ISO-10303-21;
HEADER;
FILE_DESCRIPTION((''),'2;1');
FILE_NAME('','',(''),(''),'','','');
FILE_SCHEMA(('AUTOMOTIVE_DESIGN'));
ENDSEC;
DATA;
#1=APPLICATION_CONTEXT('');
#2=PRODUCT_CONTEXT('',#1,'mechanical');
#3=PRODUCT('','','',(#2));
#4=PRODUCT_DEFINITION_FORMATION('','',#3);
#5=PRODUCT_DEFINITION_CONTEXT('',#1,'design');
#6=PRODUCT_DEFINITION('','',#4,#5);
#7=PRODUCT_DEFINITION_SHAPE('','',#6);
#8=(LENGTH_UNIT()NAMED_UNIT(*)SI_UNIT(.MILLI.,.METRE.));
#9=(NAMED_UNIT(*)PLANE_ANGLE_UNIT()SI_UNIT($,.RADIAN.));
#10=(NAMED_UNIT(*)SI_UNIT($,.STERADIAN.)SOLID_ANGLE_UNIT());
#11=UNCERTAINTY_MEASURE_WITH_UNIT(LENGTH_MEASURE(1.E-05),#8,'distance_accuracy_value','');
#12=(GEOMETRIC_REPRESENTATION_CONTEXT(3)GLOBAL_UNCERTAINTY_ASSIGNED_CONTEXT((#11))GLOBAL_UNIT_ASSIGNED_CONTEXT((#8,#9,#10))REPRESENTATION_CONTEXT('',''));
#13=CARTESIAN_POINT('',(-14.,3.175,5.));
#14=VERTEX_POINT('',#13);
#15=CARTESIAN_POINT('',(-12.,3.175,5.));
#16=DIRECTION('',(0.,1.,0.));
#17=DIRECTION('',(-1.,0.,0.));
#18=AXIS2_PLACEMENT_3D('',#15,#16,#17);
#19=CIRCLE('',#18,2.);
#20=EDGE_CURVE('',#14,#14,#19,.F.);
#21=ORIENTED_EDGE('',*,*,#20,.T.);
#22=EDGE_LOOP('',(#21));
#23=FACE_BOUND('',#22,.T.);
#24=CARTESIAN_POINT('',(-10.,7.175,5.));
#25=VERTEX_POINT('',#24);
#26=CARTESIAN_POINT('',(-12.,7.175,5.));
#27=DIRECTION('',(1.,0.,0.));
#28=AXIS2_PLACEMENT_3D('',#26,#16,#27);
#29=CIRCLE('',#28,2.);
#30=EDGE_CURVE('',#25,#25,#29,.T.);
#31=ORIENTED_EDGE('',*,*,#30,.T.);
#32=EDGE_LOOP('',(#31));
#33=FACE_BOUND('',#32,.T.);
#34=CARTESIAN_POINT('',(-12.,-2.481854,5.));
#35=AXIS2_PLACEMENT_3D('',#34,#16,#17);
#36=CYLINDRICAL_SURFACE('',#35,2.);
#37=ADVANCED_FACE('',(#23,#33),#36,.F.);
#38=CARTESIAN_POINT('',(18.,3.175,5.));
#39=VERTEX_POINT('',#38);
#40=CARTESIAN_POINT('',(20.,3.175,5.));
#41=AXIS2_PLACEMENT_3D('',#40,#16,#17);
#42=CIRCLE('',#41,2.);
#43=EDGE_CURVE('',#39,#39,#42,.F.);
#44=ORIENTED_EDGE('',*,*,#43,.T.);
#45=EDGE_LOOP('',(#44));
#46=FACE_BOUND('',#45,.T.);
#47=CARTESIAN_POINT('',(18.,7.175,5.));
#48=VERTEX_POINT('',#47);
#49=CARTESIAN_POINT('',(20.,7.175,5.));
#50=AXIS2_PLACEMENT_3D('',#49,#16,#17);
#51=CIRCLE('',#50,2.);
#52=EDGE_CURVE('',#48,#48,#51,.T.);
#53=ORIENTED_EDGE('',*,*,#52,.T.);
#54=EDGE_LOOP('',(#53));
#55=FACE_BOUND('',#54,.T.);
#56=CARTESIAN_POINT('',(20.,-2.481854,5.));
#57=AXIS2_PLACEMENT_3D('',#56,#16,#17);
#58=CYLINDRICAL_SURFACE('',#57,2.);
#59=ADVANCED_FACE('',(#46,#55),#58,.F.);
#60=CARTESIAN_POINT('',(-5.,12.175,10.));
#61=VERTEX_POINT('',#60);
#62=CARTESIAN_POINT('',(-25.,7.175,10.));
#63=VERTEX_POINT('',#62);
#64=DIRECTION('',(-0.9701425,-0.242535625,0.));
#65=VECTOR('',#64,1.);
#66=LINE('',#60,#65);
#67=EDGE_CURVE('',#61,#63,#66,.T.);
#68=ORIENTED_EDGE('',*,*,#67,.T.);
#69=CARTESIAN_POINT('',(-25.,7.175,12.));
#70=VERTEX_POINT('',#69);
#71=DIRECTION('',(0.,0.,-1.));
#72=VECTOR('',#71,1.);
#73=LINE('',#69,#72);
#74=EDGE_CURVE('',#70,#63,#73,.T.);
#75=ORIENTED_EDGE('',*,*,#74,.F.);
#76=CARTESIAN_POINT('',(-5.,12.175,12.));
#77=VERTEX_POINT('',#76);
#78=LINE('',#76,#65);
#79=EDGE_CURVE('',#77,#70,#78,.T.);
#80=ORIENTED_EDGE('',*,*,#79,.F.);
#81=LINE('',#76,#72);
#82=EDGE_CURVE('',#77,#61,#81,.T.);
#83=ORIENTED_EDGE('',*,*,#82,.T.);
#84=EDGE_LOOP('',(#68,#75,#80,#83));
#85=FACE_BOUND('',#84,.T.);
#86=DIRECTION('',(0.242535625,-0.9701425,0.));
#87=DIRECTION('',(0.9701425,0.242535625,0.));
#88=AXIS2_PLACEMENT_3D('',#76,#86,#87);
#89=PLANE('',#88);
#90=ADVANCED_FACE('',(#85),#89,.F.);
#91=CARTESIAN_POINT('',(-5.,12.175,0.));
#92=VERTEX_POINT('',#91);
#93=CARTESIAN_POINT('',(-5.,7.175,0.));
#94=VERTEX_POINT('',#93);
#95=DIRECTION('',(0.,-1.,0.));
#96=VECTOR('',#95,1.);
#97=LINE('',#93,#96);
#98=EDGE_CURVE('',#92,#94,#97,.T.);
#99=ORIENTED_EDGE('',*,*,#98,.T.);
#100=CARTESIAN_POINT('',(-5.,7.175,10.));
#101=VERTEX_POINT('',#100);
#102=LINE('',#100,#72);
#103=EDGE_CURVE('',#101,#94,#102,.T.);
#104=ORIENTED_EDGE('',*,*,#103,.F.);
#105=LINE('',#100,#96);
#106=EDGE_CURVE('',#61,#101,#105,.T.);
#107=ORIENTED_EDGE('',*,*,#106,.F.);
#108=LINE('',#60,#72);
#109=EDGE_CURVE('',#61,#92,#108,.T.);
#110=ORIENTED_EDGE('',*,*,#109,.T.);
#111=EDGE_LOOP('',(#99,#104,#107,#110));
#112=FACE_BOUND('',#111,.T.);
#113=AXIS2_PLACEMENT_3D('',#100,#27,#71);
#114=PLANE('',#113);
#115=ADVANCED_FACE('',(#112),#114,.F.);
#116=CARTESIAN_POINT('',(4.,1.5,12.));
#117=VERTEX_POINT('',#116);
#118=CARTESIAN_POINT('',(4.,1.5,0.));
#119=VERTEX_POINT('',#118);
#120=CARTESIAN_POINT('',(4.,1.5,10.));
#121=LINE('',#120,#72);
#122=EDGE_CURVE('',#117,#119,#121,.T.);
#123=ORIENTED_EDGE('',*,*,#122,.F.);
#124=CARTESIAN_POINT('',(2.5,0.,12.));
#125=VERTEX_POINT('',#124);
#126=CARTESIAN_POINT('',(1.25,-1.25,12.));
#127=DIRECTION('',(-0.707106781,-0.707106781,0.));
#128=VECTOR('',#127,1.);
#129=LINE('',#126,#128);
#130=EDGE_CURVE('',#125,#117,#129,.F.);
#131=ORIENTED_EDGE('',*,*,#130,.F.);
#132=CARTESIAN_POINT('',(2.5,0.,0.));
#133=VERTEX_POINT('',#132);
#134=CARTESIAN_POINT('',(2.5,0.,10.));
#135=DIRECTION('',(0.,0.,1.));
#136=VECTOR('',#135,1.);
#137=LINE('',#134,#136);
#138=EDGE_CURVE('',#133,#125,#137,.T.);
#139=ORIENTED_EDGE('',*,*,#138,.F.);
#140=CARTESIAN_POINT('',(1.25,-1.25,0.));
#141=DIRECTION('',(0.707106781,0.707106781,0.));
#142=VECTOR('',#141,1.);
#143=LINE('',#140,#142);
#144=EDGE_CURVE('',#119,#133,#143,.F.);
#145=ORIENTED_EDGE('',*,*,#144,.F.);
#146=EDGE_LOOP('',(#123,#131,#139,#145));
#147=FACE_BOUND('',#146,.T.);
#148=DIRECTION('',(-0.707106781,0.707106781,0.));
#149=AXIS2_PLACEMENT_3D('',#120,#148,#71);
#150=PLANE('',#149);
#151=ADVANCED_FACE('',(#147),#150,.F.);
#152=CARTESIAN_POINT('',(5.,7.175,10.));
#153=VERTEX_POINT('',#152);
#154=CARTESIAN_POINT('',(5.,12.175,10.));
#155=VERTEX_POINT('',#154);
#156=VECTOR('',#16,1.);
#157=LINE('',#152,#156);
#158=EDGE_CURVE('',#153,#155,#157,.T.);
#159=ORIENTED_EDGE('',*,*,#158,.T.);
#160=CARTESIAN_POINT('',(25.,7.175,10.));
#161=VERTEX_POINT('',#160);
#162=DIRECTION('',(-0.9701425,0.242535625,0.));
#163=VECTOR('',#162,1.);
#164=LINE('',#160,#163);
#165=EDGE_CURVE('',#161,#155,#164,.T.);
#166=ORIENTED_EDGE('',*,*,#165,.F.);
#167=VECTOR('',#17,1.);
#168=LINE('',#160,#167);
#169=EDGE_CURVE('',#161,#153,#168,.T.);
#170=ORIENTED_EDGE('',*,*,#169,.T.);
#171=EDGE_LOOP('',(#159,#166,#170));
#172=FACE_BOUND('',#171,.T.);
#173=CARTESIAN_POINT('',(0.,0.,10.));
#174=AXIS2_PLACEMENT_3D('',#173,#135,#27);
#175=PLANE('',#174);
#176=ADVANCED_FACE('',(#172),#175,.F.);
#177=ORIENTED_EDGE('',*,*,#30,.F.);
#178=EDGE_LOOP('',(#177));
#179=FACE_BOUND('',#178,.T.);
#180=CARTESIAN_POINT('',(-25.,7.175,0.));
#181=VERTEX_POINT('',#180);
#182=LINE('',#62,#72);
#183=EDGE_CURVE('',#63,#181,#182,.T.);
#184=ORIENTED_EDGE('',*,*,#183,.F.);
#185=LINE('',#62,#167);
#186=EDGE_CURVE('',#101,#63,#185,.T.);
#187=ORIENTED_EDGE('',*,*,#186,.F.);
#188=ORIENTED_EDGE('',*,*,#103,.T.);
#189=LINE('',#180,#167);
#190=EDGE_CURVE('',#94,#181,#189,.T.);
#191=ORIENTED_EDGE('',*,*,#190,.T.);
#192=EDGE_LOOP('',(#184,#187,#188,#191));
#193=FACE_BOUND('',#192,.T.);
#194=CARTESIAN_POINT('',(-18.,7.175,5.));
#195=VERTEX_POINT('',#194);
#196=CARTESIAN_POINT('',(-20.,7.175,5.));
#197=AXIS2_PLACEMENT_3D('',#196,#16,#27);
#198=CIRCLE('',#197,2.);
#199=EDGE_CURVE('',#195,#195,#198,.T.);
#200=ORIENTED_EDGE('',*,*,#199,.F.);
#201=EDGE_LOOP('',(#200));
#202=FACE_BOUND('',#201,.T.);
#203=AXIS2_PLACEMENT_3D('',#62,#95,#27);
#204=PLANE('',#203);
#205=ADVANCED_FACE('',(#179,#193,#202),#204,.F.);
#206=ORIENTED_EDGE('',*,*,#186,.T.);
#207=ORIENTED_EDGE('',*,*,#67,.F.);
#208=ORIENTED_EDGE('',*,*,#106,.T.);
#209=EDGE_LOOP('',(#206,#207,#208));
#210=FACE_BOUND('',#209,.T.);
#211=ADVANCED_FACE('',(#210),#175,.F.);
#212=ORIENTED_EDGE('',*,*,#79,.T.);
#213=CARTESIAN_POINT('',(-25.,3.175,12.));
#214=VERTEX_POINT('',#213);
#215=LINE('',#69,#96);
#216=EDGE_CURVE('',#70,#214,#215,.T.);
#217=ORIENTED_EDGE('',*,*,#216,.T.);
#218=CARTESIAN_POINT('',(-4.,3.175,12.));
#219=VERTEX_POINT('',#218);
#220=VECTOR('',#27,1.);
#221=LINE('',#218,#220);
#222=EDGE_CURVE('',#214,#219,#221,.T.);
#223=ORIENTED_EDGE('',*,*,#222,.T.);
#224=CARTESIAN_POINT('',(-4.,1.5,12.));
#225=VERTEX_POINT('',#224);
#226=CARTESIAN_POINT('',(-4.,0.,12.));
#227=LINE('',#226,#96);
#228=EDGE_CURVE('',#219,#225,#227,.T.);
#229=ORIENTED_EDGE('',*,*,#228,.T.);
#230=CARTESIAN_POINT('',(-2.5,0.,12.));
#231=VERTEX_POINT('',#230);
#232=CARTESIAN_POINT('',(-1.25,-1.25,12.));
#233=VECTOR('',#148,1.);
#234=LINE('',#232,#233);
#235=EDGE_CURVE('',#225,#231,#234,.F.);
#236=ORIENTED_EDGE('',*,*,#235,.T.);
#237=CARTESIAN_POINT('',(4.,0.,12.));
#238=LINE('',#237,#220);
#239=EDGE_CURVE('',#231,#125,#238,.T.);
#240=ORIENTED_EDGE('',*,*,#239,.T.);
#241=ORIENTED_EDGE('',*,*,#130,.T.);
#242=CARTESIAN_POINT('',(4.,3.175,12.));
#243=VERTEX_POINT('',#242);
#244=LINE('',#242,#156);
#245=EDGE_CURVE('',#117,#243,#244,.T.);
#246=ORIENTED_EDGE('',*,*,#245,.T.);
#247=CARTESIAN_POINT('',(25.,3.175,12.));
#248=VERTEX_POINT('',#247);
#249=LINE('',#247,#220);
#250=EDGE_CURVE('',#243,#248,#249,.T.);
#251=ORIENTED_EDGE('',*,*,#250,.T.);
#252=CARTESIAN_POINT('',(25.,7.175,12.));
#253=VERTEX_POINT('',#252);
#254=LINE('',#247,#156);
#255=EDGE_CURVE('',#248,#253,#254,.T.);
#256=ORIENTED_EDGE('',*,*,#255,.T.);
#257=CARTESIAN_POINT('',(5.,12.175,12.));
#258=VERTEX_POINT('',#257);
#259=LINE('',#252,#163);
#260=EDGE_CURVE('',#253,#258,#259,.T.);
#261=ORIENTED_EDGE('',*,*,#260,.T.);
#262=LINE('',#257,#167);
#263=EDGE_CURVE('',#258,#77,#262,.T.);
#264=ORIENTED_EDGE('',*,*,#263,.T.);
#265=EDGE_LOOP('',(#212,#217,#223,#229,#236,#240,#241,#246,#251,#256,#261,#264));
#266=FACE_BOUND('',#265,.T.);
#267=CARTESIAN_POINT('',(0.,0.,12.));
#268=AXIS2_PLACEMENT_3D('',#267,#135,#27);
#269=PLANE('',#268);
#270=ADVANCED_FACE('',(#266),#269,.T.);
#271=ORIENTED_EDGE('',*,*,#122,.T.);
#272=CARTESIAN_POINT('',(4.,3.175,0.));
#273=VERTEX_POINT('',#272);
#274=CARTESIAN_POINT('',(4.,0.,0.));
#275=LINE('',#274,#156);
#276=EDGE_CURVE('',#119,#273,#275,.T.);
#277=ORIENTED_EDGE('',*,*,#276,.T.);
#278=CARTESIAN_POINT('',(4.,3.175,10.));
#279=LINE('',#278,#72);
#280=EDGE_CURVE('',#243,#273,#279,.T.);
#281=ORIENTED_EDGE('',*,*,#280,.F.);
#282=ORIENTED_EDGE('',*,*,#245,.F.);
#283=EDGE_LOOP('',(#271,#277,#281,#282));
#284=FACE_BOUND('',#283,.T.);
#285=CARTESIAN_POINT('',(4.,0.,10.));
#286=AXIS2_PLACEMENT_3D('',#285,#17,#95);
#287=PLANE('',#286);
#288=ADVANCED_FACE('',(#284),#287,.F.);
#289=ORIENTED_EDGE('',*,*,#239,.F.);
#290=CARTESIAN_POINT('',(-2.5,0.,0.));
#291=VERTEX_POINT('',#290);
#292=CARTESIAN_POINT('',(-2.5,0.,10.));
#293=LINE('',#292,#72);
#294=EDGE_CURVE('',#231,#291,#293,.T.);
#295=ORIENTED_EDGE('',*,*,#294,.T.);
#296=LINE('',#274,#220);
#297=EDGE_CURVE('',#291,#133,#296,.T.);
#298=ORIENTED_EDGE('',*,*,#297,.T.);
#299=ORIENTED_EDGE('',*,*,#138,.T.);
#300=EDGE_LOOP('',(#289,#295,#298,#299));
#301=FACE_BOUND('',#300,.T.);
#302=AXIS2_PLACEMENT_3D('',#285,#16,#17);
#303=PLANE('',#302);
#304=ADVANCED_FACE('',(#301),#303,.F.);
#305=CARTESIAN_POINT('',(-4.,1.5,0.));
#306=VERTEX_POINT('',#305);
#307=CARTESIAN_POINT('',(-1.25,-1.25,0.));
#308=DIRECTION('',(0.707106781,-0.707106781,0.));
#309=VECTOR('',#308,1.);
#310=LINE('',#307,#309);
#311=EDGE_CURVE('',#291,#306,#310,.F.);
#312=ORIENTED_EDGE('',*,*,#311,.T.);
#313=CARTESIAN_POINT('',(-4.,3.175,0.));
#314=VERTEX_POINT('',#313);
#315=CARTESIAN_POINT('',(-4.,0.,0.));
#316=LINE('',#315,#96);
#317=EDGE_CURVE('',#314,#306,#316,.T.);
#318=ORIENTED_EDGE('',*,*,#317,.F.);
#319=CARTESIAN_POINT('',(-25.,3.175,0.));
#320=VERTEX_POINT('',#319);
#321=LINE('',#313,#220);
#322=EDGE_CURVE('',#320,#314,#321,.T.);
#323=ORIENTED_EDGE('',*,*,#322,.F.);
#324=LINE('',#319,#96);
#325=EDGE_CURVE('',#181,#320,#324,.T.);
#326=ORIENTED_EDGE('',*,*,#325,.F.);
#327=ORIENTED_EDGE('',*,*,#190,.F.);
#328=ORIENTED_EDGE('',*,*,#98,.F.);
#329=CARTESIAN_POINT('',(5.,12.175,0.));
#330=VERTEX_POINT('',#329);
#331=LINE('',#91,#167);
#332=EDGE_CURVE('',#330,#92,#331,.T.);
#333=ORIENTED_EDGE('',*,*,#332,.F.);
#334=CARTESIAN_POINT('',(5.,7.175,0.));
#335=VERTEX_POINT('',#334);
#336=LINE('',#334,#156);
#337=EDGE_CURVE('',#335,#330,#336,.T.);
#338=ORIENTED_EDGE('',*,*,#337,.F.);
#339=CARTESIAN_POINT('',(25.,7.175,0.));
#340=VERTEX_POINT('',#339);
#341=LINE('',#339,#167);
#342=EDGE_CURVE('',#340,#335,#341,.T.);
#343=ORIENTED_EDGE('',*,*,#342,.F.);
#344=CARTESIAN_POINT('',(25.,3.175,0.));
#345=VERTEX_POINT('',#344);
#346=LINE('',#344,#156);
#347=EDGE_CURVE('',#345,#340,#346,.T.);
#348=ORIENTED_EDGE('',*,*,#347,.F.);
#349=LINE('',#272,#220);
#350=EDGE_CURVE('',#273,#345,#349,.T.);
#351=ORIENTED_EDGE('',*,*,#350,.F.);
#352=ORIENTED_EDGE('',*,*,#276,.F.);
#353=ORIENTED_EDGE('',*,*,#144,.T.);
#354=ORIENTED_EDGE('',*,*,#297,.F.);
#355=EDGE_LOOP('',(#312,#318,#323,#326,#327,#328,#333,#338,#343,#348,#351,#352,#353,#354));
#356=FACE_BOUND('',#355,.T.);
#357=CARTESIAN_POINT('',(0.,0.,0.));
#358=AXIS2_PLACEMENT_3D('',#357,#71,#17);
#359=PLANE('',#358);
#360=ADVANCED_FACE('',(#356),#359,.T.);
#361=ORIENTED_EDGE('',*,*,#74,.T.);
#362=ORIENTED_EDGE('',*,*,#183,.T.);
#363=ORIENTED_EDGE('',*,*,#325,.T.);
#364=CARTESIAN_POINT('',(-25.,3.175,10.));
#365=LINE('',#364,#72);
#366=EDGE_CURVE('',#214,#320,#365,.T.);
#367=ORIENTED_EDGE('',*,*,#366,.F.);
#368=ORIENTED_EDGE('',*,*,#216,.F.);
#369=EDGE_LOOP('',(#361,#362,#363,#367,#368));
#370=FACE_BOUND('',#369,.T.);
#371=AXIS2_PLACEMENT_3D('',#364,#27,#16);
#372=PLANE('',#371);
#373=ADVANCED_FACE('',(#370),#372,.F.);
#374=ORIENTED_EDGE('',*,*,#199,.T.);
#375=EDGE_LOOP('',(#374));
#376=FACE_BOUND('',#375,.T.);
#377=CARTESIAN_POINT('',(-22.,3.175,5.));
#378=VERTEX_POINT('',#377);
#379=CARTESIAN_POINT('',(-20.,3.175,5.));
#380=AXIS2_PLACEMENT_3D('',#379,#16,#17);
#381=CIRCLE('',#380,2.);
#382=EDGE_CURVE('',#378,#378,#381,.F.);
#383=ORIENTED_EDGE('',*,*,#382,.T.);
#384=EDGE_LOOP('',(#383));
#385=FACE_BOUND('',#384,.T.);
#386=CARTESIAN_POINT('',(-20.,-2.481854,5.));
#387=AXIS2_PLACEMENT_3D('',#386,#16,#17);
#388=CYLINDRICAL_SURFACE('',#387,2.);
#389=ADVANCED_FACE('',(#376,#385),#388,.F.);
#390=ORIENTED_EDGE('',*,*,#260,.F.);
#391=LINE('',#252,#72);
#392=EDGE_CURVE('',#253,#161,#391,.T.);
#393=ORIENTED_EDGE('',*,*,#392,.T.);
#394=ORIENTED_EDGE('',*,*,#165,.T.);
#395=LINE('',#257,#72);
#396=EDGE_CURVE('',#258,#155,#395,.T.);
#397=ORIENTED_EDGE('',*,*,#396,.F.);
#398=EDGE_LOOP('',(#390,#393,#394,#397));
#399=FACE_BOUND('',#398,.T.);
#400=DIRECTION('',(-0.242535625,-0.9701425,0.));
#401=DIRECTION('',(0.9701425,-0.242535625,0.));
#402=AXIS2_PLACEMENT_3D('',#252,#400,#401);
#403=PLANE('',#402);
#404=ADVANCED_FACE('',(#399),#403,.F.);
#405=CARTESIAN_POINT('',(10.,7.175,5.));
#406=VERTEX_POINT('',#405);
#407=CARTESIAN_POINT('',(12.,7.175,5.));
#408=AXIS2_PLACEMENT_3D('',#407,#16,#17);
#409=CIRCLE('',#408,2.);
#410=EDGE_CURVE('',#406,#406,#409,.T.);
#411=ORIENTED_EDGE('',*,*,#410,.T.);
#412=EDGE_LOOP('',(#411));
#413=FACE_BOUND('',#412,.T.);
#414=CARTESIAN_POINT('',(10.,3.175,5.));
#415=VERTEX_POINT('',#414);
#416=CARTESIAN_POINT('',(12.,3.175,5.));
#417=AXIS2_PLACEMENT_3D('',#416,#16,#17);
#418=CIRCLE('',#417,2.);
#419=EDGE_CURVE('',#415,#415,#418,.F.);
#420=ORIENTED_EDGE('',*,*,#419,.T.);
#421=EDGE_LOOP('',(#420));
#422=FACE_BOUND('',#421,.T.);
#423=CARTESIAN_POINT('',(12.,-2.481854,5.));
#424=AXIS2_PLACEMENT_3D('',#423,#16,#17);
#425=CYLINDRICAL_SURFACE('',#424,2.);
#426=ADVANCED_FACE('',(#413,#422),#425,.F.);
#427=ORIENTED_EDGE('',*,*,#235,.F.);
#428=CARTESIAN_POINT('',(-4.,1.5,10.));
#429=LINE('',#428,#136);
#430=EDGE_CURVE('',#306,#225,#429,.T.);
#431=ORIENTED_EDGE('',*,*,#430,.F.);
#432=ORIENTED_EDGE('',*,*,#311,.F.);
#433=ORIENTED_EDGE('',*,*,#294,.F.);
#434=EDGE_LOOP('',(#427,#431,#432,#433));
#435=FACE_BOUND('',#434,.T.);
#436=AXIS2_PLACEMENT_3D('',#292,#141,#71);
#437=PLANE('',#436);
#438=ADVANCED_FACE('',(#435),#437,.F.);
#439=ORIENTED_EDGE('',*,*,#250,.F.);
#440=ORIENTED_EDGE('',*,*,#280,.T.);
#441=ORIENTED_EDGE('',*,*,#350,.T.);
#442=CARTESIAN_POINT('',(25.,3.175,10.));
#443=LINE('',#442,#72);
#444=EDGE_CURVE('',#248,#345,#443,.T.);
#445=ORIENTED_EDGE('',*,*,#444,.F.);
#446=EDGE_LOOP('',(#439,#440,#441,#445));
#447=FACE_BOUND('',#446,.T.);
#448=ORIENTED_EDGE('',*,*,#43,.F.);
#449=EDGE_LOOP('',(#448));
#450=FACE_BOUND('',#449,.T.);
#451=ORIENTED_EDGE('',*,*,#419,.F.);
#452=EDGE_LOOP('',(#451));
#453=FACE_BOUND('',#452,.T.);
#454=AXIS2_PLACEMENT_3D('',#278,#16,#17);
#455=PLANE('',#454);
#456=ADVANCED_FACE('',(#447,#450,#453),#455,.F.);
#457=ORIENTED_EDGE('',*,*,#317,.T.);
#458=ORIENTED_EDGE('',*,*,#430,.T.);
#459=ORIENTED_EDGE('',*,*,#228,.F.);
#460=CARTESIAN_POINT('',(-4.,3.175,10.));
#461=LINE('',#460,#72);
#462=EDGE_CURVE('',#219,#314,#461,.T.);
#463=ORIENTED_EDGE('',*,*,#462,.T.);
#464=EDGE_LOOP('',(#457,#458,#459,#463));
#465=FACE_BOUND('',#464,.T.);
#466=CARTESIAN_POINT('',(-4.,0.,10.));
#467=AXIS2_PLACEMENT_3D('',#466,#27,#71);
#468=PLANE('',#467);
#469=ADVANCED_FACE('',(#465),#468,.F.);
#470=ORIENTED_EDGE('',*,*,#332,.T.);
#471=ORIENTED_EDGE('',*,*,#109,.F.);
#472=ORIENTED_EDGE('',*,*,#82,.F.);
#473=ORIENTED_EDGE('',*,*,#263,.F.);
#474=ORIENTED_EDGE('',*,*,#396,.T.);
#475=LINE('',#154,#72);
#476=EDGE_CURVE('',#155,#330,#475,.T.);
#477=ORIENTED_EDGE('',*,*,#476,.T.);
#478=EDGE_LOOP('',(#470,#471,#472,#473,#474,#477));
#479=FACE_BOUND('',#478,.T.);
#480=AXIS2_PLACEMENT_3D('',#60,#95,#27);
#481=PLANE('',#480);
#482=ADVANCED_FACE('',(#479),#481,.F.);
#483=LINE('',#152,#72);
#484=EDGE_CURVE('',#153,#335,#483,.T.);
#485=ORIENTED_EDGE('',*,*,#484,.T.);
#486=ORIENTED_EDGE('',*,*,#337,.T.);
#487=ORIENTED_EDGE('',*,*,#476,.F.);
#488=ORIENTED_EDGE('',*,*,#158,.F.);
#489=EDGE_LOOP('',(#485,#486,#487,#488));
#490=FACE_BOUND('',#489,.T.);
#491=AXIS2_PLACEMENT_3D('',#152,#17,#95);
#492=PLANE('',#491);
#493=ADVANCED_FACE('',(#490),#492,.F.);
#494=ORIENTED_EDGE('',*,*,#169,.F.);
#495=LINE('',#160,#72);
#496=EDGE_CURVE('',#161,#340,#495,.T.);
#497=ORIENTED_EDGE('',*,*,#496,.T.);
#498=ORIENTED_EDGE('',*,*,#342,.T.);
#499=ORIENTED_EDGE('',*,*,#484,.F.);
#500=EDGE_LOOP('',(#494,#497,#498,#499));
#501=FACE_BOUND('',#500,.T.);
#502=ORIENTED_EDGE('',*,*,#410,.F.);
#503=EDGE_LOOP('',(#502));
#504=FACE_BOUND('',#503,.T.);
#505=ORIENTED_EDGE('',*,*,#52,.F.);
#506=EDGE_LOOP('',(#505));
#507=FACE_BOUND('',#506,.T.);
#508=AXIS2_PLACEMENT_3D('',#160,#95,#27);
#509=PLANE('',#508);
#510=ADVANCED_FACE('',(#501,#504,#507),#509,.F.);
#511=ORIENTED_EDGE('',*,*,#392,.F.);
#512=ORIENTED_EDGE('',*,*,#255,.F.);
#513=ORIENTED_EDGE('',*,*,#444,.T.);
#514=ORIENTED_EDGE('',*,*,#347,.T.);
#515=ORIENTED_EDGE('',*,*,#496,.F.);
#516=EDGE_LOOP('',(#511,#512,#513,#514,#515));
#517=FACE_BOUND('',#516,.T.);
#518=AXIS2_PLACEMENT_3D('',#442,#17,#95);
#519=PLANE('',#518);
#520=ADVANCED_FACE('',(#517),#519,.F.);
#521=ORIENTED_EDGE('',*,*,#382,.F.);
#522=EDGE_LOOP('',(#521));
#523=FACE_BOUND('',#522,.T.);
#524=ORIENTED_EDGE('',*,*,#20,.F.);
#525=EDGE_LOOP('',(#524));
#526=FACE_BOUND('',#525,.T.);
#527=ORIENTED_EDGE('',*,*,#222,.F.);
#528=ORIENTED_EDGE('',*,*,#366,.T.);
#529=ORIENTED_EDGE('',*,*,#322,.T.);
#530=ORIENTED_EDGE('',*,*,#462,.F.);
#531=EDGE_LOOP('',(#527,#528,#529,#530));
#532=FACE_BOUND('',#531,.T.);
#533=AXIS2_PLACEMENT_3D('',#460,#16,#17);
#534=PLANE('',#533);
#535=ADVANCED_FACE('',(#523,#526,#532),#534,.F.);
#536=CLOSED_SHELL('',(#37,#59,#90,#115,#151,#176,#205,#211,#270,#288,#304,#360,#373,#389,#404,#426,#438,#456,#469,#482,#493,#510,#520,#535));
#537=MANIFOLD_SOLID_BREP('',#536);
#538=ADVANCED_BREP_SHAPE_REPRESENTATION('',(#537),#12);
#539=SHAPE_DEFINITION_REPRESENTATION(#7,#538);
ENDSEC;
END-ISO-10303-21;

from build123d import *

# Parameters (mm, degrees)
BOSS_EXTRUDE1_DEPTH = 10
BOSS_EXTRUDE2_DEPTH = 2
SKETCH3_R           = 2
CUT_EXTRUDE1_DEPTH  = 4
CHAMFER1_SIZE       = 1.5


with BuildPart() as part:
    # Sketch1 → Boss-Extrude1 (new body)
    with BuildSketch(Plane.XY):
        Polygon((-25, 3.175), (-25, 7.175), (-5, 7.175), (-5, 12.175), (5, 12.175), (5, 7.175), (25, 7.175), (25, 3.175), (4, 3.175), (4, 0), (-4, 0), (-4, 3.175), align=None)
    extrude(amount=BOSS_EXTRUDE1_DEPTH)

    # Sketch2 → Boss-Extrude2 (add)
    with BuildSketch(Plane.XY.offset(10)):
        Polygon((-5, 12.175), (-25, 7.175), (-25, 3.175), (-4, 3.175), (-4, 0), (4, 0), (4, 3.175), (25, 3.175), (25, 7.175), (5, 12.175), align=None)
    extrude(amount=BOSS_EXTRUDE2_DEPTH)

    # Sketch3 → Cut-Extrude1 (cut)
    with BuildSketch(Plane(origin=(0, 7.175, 0), x_dir=(1, 0, 0), z_dir=(0, 1, 0))):
        with Locations((12, -5)):
            Circle(SKETCH3_R)
        with Locations((20, -5)):
            Circle(SKETCH3_R)
        with Locations((-12, -5)):
            Circle(SKETCH3_R)
        with Locations((-20, -5)):
            Circle(SKETCH3_R)
    extrude(amount=-CUT_EXTRUDE1_DEPTH, mode=Mode.SUBTRACT)

    # Chamfer1
    chamfer1_edges = [part.edges().sort_by_distance(p)[0] for p in [
        (4, 0, 6),
        (-4, 0, 6),
    ]]
    chamfer(chamfer1_edges, length=CHAMFER1_SIZE)


solid = part.part
